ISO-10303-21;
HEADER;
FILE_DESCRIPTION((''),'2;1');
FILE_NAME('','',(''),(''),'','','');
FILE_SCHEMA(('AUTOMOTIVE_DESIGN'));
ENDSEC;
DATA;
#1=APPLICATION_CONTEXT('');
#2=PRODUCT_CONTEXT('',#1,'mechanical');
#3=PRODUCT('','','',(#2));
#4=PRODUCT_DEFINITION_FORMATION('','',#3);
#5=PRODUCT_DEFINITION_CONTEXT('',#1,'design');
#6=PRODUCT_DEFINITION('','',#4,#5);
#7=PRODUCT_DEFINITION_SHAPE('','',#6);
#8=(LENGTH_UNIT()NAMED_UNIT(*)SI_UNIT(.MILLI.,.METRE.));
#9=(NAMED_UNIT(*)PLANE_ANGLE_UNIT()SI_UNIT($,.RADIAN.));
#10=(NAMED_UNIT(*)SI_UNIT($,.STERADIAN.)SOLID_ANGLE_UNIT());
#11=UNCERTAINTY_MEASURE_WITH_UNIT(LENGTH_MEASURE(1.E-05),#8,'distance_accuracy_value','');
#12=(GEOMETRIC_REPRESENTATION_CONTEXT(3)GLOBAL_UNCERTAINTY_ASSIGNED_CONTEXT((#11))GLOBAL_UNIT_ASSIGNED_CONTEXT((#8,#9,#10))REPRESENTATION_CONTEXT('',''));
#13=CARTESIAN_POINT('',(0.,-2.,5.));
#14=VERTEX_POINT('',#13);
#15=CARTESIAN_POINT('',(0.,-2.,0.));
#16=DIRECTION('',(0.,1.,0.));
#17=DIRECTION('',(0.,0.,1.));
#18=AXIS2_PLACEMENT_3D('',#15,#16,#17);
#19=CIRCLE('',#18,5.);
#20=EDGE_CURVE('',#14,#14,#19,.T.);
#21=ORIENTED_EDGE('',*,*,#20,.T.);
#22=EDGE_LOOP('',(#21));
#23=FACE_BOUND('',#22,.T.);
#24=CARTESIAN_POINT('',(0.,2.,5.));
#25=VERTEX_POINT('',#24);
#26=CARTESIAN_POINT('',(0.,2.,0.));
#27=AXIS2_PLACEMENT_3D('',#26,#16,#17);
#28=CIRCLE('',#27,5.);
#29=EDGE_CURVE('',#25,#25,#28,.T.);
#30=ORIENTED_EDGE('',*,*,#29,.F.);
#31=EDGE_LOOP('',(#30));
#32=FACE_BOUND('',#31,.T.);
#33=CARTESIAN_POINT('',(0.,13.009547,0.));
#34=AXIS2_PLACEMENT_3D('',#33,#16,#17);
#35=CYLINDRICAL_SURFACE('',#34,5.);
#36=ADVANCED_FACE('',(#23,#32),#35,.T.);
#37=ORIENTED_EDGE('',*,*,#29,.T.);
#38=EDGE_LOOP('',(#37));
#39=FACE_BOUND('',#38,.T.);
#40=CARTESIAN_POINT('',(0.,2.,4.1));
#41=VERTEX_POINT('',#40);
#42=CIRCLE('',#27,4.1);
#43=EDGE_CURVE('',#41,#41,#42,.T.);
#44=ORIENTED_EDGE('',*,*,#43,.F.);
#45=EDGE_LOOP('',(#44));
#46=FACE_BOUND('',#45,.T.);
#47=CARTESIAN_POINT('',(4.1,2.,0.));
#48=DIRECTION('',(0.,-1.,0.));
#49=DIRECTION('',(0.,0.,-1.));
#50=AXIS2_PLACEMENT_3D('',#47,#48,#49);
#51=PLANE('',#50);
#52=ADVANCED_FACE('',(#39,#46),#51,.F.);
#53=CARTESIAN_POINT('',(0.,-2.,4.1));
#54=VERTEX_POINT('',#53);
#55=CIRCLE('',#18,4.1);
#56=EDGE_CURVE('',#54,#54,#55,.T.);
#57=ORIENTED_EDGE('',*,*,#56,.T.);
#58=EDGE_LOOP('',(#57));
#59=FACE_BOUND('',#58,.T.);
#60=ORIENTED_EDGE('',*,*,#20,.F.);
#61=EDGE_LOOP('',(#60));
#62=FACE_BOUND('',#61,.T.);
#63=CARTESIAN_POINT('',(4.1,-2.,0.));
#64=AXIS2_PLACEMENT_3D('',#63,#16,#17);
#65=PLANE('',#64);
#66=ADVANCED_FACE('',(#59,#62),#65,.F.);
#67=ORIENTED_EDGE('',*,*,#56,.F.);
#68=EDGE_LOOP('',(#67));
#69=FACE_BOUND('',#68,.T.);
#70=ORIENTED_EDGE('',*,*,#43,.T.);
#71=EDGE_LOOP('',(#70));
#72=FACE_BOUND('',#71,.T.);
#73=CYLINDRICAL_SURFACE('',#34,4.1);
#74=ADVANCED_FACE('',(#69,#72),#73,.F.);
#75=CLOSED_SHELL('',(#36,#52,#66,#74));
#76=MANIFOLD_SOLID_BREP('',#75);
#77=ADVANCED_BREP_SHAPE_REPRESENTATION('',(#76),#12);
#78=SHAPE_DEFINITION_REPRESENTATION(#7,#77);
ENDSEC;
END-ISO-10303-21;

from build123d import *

# Parameters (mm, degrees)
SKETCH1_W = 0.9
SKETCH1_H = 4


with BuildPart() as part:
    # Sketch1 → Revolve1 (revolve)
    with BuildSketch(Plane.XY):
        with Locations((4.55, 0)):
            Rectangle(SKETCH1_W, SKETCH1_H)
    revolve(axis=Axis((0, 13.009547281, 0), (0, -1, 0)))


solid = part.part
